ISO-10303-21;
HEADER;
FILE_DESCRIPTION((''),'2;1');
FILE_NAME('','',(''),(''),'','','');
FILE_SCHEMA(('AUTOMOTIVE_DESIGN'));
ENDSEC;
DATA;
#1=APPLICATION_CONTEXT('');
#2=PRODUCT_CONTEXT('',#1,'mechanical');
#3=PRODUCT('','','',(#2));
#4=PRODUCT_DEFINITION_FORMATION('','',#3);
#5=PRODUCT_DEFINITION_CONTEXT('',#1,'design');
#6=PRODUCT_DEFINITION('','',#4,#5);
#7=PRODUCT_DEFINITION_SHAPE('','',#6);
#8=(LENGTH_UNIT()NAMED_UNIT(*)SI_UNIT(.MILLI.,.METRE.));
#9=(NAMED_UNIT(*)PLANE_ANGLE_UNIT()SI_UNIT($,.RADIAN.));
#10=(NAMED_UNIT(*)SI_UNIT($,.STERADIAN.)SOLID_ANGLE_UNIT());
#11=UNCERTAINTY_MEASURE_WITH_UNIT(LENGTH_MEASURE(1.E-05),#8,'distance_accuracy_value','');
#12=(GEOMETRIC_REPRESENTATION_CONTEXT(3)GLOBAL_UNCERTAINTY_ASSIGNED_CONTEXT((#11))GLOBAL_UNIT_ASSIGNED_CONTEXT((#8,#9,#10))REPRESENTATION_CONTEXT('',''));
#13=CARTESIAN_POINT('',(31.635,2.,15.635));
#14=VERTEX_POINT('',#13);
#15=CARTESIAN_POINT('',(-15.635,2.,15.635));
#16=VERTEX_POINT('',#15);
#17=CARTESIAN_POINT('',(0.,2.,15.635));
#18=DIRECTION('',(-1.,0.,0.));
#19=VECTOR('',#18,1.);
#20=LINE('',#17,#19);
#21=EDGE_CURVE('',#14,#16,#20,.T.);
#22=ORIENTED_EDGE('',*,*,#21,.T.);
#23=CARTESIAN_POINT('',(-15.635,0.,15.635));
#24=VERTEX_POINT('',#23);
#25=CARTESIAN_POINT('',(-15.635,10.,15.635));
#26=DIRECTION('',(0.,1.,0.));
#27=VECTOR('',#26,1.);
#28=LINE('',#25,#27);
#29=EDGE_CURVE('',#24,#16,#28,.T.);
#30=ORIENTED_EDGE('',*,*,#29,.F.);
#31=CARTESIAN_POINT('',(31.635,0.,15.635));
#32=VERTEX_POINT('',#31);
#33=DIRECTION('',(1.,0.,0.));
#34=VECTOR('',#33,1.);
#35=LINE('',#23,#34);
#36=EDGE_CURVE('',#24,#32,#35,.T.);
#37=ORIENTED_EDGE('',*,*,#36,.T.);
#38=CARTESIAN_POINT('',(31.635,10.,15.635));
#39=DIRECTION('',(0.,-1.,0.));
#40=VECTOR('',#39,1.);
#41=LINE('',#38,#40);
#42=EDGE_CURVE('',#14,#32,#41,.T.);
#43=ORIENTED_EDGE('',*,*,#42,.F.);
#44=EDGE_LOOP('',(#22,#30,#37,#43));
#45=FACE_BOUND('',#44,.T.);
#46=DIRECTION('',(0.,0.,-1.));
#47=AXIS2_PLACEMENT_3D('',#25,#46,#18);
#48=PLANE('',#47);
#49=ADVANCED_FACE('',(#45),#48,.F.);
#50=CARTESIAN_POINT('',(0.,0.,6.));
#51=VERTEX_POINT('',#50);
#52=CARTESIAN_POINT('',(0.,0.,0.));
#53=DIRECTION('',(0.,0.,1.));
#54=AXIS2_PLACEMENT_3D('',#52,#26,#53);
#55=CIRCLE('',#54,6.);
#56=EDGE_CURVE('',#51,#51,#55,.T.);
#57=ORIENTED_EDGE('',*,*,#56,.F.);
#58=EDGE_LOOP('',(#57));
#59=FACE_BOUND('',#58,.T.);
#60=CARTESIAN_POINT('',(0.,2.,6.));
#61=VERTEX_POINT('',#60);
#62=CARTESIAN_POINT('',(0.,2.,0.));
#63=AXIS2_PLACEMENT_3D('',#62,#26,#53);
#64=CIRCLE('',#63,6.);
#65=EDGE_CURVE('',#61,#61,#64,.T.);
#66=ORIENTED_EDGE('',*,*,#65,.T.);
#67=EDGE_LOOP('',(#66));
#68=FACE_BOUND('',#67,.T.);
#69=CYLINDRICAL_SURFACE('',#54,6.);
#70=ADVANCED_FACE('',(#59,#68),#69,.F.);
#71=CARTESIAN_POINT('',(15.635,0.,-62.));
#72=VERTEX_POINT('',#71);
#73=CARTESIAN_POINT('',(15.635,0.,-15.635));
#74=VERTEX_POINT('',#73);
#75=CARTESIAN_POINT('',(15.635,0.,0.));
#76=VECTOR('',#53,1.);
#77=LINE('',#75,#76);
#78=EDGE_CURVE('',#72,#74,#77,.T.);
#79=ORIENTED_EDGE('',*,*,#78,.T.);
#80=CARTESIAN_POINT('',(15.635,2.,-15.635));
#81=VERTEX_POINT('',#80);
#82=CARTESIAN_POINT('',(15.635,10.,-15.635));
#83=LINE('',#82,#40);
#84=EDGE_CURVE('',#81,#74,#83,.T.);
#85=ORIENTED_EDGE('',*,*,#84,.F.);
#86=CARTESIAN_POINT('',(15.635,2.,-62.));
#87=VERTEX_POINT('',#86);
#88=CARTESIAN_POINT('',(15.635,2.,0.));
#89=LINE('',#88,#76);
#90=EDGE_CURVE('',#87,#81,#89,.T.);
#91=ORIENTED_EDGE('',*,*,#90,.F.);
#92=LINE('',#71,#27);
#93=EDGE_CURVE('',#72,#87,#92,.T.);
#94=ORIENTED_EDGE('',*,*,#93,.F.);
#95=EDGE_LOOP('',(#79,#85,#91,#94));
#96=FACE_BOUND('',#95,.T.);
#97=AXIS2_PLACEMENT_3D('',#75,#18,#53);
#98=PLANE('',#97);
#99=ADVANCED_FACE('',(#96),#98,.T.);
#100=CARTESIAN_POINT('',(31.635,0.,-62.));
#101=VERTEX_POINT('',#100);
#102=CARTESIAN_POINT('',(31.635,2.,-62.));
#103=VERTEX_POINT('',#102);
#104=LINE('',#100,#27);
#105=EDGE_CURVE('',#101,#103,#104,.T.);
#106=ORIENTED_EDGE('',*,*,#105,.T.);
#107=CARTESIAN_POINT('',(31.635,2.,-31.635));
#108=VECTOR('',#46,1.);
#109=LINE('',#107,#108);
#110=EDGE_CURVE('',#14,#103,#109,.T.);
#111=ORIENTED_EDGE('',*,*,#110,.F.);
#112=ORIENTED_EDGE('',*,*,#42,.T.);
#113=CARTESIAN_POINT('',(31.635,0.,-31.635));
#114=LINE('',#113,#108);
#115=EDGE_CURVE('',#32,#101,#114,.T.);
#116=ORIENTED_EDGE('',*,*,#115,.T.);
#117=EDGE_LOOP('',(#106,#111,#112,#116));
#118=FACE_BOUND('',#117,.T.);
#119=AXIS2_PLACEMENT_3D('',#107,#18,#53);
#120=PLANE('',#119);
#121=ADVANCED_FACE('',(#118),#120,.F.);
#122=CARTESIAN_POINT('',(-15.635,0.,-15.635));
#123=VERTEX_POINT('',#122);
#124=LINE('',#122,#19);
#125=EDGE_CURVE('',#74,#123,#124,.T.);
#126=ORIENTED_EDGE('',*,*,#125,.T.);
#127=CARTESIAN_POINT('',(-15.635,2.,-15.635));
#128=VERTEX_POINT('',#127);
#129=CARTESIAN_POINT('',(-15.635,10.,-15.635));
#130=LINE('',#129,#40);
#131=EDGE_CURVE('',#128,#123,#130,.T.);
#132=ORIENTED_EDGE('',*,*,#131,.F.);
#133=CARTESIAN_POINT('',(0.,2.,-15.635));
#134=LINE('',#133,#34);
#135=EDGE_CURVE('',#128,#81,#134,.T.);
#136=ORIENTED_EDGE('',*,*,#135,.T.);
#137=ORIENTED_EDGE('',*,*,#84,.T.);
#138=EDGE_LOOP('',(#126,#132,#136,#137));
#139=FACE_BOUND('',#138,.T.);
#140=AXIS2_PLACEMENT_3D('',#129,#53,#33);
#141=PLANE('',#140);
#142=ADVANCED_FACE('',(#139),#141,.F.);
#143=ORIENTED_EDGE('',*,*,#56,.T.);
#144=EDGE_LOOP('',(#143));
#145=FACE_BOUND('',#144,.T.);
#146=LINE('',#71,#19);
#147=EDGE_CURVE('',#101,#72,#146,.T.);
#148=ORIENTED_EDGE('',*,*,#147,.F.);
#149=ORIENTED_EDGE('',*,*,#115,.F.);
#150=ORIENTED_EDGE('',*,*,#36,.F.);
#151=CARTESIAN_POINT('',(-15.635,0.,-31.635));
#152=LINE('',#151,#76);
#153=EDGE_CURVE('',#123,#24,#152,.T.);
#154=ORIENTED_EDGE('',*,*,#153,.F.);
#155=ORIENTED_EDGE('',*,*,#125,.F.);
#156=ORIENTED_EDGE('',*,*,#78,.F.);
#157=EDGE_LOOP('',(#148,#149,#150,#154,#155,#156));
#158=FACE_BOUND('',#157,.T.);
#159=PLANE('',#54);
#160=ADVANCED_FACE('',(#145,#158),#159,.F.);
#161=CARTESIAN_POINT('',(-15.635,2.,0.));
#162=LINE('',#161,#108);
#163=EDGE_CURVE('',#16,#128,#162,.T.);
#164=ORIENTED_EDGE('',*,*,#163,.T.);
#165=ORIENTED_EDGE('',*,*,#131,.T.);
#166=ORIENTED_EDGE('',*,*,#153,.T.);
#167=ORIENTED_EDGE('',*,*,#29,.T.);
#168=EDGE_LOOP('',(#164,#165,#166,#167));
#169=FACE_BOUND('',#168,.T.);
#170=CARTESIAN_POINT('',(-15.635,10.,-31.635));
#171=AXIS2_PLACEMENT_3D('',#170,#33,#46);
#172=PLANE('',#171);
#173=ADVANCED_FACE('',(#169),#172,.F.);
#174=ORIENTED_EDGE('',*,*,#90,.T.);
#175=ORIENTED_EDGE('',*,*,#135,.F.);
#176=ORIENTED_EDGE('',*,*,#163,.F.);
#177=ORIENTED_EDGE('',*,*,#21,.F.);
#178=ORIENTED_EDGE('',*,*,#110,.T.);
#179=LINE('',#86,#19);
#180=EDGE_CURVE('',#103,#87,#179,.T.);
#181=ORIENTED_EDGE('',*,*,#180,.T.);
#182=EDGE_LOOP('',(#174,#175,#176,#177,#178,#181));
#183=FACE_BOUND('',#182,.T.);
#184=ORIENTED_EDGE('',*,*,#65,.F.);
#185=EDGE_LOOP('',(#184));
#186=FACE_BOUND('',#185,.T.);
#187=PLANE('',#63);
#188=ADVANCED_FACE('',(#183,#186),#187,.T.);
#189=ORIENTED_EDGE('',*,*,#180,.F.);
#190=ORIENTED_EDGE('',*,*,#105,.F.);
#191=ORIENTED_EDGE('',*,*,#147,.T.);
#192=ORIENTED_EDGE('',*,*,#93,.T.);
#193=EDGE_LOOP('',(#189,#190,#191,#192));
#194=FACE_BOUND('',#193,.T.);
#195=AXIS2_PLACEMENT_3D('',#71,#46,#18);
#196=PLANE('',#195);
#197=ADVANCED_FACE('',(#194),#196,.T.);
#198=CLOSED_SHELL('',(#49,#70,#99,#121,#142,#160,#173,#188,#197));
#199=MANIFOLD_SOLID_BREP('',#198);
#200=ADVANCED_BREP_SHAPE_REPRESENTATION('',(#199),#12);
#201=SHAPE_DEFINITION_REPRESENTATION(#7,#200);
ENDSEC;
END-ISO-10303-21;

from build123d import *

# Parameters (mm, degrees)
SKETCH1_W           = 63.27
SKETCH1_H           = 63.27
BOSS_EXTRUDE1_DEPTH = 2
SKETCH2_R           = 6
CUT_EXTRUDE1_DEPTH  = 2
SKETCH3_W           = 16
SKETCH3_H           = 62
BOSS_EXTRUDE2_DEPTH = 2
SKETCH4_W           = 16
SKETCH4_H           = 63.27
CUT_EXTRUDE2_DEPTH  = 10
SKETCH5_W           = 47.27
SKETCH5_H           = 16
CUT_EXTRUDE3_DEPTH  = 10
SKETCH6_W           = 31.27
SKETCH6_H           = 16
CUT_EXTRUDE4_DEPTH  = 10


with BuildPart() as part:
    # Sketch1 → Boss-Extrude1 (new body)
    with BuildSketch(Plane(origin=(0, 0, 0), x_dir=(1, 0, 0), z_dir=(0, 1, 0))):
        Rectangle(SKETCH1_W, SKETCH1_H)
    extrude(amount=BOSS_EXTRUDE1_DEPTH)

    # Sketch2 → Cut-Extrude1 (cut)
    with BuildSketch(Plane(origin=(0, 2, 0), x_dir=(1, 0, 0), z_dir=(0, 1, 0))):
        with Locations(Location((0, 0, 0), (0, 0, 270))):
            Circle(SKETCH2_R)
    extrude(amount=-CUT_EXTRUDE1_DEPTH, mode=Mode.SUBTRACT)

    # Sketch3 → Boss-Extrude2 (add)
    with BuildSketch(Plane(origin=(0, 2, 0), x_dir=(1, 0, 0), z_dir=(0, 1, 0))):
        with Locations((23.635, 31)):
            Rectangle(SKETCH3_W, SKETCH3_H)
    extrude(amount=-BOSS_EXTRUDE2_DEPTH)

    # Sketch4 → Cut-Extrude2 (cut)
    with BuildSketch(Plane.XZ):
        with Locations((-23.635, 0)):
            Rectangle(SKETCH4_W, SKETCH4_H)
    extrude(amount=-CUT_EXTRUDE2_DEPTH, mode=Mode.SUBTRACT)

    # Sketch5 → Cut-Extrude3 (cut)
    with BuildSketch(Plane.XZ):
        with Locations((8, 23.635)):
            Rectangle(SKETCH5_W, SKETCH5_H)
    extrude(amount=-CUT_EXTRUDE3_DEPTH, mode=Mode.SUBTRACT)

    # Sketch6 → Cut-Extrude4 (cut)
    with BuildSketch(Plane.XZ):
        with Locations((0, -23.635)):
            Rectangle(SKETCH6_W, SKETCH6_H)
    extrude(amount=-CUT_EXTRUDE4_DEPTH, mode=Mode.SUBTRACT)


solid = part.part
